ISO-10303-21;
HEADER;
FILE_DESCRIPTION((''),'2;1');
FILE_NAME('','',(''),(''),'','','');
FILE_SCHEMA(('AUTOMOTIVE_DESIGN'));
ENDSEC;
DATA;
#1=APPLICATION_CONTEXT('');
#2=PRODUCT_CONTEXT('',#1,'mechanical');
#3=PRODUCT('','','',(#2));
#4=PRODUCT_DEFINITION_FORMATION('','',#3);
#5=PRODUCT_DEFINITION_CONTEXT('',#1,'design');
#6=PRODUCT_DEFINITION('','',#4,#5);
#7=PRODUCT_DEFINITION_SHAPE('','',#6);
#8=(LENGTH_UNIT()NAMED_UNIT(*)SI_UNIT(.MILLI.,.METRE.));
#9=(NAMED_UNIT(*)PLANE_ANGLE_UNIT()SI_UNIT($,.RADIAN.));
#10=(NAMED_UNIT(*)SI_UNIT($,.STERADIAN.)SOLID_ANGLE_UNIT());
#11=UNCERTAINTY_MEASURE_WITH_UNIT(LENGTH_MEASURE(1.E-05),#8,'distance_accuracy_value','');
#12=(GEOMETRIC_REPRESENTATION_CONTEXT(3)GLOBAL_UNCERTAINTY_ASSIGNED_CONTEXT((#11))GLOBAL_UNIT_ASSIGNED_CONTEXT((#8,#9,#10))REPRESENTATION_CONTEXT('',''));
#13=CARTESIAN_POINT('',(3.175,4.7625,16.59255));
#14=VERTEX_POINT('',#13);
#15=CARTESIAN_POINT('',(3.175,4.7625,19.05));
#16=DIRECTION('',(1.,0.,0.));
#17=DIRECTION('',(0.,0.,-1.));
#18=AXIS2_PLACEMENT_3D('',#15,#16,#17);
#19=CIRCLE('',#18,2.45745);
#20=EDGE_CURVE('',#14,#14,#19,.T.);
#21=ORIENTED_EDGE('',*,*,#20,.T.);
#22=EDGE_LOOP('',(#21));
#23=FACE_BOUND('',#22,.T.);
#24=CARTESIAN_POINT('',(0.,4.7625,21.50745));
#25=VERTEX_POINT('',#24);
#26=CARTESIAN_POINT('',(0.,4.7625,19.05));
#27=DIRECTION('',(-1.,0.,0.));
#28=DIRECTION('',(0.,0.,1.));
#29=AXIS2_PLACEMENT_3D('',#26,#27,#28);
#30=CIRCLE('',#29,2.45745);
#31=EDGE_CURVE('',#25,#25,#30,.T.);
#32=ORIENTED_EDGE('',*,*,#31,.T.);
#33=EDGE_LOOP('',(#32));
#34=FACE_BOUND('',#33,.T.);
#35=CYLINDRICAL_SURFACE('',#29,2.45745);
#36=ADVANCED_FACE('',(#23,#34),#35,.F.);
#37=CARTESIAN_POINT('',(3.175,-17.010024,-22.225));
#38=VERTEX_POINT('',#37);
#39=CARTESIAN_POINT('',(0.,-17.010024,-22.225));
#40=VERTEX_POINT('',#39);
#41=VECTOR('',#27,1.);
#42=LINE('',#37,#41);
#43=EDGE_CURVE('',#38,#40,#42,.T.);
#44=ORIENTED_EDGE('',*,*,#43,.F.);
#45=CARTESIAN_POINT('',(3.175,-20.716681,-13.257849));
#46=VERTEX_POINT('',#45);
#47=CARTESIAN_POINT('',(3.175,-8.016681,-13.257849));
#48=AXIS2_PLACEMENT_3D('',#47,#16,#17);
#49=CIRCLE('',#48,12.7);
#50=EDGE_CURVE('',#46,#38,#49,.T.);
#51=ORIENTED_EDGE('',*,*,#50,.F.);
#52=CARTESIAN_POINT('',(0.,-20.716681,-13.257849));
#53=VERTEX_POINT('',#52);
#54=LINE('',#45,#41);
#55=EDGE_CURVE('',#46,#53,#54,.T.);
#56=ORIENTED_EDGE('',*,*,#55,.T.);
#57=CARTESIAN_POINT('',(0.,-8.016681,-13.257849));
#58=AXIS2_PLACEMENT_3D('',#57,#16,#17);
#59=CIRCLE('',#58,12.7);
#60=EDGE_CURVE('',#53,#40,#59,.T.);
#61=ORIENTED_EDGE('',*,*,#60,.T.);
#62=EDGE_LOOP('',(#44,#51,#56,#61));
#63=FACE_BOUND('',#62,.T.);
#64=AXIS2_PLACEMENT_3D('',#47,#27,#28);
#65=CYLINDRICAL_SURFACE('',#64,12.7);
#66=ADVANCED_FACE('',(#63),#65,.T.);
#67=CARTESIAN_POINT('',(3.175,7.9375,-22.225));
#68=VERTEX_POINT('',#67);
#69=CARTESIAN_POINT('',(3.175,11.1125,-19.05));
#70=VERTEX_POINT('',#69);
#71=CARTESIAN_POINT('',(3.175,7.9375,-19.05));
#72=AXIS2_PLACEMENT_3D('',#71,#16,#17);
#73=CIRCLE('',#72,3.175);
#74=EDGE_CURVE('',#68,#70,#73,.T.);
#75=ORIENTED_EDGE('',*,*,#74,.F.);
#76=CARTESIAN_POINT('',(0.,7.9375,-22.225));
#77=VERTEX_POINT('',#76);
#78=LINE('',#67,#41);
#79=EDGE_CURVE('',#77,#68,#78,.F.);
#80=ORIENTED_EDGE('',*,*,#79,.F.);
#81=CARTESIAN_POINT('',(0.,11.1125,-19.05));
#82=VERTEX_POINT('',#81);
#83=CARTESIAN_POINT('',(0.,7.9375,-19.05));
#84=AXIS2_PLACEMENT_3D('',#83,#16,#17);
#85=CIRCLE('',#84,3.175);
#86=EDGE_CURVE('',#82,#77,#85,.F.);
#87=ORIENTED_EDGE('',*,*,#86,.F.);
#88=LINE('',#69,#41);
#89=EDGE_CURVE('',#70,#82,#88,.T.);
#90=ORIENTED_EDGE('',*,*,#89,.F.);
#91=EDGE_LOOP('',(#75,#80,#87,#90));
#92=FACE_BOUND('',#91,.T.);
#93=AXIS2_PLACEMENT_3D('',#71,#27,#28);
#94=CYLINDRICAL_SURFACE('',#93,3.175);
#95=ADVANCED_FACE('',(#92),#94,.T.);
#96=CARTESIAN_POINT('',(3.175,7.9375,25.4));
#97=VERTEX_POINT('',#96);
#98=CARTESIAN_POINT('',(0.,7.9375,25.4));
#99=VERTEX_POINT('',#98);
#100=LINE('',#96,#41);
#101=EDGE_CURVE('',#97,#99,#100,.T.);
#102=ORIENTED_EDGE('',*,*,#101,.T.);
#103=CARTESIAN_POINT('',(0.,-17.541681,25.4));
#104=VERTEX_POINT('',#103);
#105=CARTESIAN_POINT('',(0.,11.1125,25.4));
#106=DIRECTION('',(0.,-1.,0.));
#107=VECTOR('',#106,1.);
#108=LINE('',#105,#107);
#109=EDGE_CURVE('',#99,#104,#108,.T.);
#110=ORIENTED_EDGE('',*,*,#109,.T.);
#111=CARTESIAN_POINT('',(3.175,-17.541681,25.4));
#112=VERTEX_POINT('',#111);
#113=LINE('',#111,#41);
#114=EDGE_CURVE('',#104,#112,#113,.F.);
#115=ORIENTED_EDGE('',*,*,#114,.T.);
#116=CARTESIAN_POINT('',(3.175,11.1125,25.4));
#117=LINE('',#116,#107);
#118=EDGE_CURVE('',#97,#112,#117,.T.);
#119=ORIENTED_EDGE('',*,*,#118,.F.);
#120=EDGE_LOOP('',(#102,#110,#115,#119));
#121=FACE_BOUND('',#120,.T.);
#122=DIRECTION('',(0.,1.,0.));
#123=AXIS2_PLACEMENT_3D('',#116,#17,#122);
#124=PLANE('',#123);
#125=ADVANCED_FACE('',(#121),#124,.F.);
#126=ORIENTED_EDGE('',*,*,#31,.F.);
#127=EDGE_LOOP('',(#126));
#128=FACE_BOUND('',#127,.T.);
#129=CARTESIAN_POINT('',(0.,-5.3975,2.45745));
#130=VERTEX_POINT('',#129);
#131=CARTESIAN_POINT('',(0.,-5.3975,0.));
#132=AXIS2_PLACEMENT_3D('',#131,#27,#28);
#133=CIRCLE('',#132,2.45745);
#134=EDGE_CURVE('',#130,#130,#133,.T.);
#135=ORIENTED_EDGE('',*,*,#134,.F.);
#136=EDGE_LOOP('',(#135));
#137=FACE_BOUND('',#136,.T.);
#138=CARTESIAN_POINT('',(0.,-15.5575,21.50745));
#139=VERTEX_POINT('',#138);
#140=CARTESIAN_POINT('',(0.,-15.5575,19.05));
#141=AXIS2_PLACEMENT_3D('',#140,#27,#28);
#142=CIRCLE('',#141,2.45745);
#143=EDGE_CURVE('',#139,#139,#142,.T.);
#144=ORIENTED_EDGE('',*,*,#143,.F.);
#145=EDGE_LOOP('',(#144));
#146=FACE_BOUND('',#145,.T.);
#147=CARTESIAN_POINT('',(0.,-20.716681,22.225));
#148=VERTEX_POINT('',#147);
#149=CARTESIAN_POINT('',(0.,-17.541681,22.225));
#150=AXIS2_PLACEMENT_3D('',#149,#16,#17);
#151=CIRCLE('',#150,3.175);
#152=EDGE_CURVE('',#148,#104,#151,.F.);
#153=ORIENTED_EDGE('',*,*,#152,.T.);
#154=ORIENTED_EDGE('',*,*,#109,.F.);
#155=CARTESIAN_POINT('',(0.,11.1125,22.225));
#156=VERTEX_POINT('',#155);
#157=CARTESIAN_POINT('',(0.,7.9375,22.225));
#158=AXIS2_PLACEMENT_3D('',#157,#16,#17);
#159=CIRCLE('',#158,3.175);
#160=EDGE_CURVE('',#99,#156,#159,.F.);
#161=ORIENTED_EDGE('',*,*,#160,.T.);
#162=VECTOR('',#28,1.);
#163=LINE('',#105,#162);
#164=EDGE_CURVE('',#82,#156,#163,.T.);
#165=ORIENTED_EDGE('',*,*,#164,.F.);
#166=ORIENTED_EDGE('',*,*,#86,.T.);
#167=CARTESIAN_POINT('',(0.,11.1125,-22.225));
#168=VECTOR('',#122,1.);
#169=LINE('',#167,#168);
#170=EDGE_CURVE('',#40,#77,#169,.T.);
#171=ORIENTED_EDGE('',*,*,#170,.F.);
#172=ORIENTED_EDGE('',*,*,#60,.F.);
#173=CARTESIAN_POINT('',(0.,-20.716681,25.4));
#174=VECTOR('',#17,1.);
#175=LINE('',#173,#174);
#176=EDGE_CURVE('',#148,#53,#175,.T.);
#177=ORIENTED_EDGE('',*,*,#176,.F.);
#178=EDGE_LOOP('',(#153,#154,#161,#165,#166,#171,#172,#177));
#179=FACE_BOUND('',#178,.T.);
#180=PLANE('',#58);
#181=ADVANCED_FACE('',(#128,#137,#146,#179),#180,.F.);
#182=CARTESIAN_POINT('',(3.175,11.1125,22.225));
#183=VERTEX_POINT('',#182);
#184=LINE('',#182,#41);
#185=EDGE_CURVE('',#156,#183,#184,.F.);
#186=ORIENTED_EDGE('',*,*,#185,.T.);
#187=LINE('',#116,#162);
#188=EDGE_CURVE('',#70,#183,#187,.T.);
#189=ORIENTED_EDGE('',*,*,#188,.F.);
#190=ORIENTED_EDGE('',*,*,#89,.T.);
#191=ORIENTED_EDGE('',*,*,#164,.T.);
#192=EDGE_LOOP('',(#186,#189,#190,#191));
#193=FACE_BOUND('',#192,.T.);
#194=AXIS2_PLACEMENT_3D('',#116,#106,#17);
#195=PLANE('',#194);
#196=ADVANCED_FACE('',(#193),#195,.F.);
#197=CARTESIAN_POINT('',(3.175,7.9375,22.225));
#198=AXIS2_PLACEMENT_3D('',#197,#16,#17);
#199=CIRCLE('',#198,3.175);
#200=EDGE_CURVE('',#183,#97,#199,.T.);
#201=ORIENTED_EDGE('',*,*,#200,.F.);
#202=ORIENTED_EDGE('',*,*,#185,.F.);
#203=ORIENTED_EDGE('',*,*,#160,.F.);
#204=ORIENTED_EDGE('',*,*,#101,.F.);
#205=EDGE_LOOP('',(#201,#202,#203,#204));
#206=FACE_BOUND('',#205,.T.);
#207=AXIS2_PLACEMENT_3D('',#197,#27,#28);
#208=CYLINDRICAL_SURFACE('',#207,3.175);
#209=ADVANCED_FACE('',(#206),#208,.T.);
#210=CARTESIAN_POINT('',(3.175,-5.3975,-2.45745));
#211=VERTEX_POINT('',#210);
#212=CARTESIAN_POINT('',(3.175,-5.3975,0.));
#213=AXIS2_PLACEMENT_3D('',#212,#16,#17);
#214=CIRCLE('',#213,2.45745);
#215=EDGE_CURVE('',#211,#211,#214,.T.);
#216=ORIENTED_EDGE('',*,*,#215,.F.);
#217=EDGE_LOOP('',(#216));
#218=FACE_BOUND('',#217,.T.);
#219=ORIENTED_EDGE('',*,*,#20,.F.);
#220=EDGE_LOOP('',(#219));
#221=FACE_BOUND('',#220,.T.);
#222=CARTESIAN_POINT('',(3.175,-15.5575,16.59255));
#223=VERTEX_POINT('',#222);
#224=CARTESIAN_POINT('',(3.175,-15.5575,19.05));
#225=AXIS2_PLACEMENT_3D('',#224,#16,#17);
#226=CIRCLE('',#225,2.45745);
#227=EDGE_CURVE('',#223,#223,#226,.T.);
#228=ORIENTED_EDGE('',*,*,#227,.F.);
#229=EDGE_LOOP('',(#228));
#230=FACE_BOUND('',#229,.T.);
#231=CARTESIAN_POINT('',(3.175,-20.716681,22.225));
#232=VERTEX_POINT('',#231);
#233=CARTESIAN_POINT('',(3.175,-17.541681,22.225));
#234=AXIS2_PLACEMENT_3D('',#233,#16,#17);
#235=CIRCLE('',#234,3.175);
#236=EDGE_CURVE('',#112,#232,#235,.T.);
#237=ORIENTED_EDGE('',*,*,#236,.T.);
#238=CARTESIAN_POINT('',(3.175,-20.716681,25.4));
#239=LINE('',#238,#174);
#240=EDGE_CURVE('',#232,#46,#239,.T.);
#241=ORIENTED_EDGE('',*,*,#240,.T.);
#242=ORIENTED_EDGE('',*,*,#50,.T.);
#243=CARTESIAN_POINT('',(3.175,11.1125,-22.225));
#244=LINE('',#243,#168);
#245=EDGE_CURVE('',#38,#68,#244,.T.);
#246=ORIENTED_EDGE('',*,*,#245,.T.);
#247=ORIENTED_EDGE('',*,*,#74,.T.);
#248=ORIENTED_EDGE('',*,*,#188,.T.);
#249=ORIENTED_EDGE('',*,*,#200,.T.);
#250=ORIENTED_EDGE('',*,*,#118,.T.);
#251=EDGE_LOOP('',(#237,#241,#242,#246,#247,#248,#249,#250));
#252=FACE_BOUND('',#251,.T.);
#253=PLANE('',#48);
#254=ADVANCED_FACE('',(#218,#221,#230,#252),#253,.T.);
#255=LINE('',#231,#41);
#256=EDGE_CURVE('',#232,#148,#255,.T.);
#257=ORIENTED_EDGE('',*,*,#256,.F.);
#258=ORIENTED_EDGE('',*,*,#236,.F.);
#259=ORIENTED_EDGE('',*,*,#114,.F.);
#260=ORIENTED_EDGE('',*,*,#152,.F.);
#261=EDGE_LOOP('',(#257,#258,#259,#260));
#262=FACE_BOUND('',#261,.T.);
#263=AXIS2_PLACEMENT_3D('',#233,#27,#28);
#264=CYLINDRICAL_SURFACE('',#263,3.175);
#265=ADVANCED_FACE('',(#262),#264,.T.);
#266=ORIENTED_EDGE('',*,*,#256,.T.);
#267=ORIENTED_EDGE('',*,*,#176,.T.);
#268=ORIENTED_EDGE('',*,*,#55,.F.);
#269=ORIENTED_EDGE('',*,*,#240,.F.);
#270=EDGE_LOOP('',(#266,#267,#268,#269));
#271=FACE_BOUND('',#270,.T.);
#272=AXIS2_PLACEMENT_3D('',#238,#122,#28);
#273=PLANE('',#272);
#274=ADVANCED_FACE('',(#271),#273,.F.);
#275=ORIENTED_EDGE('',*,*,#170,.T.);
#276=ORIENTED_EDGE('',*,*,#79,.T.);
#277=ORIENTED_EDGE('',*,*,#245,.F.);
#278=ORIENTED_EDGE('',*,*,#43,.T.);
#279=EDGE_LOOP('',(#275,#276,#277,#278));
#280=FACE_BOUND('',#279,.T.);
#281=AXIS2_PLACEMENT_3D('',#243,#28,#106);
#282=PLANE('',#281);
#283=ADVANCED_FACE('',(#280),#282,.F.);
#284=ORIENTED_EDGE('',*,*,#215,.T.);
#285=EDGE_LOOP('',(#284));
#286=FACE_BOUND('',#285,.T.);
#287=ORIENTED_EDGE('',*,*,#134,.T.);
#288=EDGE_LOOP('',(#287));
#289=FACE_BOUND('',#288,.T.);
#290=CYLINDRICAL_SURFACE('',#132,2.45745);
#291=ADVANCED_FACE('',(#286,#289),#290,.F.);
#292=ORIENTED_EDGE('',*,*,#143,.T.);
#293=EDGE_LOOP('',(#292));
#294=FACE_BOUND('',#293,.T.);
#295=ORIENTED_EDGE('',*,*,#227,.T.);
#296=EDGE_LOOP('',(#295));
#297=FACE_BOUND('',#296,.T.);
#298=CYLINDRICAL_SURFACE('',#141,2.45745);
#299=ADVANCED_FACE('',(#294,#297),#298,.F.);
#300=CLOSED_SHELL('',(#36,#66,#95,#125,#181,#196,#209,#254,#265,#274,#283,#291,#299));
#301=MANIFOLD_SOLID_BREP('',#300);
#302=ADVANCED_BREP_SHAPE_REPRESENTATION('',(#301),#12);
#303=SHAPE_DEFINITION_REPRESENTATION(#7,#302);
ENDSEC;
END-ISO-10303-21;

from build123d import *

# Parameters (mm, degrees)
BOSS_EXTRUDE1_DEPTH              = 3.175
F_10_0_1935_DIAMETER_HOLE1_D     = 4.9149
F_10_0_1935_DIAMETER_HOLE1_DEPTH = 9.699415072
F_10_0_1935_DIAMETER_HOLE1_TIP   = 1.476584928
FILLET1_R                        = 3.175


with BuildPart() as part:
    # Sketch1 → Boss-Extrude1 (new body)
    with BuildSketch(Plane(origin=(0, 0, 0), x_dir=(0, 0, -1), z_dir=(1, 0, 0))):
        with BuildLine():
            Line((-25.4, 11.1125), (22.225, 11.1125))
            Line((22.225, 11.1125), (22.225, -17.010023672))
            ThreePointArc((22.225, -17.010023672), (21.479421476, -17.696337769), (20.681497174, -18.321022636))
            ThreePointArc((20.681497174, -18.321022636), (20.108002708, -18.71085711), (19.51408533, -19.068808178))
            ThreePointArc((19.51408533, -19.068808178), (16.492659011, -20.297805158), (13.257849362, -20.716681165))
            Line((13.257849362, -20.716681165), (-25.4, -20.716681165))
            Line((-25.4, -20.716681165), (-25.4, 11.1125))
        make_face()
    extrude(amount=BOSS_EXTRUDE1_DEPTH)

    # #10 (0.1935) Diameter Hole1
    with Locations(Plane.ZY):
        with Locations((19.05, 4.7625), (19.05, -15.5575), (0, -5.3975)):
            Hole(F_10_0_1935_DIAMETER_HOLE1_D / 2, depth=F_10_0_1935_DIAMETER_HOLE1_DEPTH)
            with Locations((0, 0, -(F_10_0_1935_DIAMETER_HOLE1_DEPTH + F_10_0_1935_DIAMETER_HOLE1_TIP / 2))):  # 118° drill point
                Cone(0, F_10_0_1935_DIAMETER_HOLE1_D / 2, F_10_0_1935_DIAMETER_HOLE1_TIP, mode=Mode.SUBTRACT)

    # Fillet1
    fillet1_edges = [part.edges().sort_by_distance(p)[0] for p in [
        (1.5875, 11.1125, 25.4),
        (1.5875, 11.1125, -22.225),
        (1.5875, -20.716681165, 25.4),
    ]]
    fillet(fillet1_edges, radius=FILLET1_R)


solid = part.part
